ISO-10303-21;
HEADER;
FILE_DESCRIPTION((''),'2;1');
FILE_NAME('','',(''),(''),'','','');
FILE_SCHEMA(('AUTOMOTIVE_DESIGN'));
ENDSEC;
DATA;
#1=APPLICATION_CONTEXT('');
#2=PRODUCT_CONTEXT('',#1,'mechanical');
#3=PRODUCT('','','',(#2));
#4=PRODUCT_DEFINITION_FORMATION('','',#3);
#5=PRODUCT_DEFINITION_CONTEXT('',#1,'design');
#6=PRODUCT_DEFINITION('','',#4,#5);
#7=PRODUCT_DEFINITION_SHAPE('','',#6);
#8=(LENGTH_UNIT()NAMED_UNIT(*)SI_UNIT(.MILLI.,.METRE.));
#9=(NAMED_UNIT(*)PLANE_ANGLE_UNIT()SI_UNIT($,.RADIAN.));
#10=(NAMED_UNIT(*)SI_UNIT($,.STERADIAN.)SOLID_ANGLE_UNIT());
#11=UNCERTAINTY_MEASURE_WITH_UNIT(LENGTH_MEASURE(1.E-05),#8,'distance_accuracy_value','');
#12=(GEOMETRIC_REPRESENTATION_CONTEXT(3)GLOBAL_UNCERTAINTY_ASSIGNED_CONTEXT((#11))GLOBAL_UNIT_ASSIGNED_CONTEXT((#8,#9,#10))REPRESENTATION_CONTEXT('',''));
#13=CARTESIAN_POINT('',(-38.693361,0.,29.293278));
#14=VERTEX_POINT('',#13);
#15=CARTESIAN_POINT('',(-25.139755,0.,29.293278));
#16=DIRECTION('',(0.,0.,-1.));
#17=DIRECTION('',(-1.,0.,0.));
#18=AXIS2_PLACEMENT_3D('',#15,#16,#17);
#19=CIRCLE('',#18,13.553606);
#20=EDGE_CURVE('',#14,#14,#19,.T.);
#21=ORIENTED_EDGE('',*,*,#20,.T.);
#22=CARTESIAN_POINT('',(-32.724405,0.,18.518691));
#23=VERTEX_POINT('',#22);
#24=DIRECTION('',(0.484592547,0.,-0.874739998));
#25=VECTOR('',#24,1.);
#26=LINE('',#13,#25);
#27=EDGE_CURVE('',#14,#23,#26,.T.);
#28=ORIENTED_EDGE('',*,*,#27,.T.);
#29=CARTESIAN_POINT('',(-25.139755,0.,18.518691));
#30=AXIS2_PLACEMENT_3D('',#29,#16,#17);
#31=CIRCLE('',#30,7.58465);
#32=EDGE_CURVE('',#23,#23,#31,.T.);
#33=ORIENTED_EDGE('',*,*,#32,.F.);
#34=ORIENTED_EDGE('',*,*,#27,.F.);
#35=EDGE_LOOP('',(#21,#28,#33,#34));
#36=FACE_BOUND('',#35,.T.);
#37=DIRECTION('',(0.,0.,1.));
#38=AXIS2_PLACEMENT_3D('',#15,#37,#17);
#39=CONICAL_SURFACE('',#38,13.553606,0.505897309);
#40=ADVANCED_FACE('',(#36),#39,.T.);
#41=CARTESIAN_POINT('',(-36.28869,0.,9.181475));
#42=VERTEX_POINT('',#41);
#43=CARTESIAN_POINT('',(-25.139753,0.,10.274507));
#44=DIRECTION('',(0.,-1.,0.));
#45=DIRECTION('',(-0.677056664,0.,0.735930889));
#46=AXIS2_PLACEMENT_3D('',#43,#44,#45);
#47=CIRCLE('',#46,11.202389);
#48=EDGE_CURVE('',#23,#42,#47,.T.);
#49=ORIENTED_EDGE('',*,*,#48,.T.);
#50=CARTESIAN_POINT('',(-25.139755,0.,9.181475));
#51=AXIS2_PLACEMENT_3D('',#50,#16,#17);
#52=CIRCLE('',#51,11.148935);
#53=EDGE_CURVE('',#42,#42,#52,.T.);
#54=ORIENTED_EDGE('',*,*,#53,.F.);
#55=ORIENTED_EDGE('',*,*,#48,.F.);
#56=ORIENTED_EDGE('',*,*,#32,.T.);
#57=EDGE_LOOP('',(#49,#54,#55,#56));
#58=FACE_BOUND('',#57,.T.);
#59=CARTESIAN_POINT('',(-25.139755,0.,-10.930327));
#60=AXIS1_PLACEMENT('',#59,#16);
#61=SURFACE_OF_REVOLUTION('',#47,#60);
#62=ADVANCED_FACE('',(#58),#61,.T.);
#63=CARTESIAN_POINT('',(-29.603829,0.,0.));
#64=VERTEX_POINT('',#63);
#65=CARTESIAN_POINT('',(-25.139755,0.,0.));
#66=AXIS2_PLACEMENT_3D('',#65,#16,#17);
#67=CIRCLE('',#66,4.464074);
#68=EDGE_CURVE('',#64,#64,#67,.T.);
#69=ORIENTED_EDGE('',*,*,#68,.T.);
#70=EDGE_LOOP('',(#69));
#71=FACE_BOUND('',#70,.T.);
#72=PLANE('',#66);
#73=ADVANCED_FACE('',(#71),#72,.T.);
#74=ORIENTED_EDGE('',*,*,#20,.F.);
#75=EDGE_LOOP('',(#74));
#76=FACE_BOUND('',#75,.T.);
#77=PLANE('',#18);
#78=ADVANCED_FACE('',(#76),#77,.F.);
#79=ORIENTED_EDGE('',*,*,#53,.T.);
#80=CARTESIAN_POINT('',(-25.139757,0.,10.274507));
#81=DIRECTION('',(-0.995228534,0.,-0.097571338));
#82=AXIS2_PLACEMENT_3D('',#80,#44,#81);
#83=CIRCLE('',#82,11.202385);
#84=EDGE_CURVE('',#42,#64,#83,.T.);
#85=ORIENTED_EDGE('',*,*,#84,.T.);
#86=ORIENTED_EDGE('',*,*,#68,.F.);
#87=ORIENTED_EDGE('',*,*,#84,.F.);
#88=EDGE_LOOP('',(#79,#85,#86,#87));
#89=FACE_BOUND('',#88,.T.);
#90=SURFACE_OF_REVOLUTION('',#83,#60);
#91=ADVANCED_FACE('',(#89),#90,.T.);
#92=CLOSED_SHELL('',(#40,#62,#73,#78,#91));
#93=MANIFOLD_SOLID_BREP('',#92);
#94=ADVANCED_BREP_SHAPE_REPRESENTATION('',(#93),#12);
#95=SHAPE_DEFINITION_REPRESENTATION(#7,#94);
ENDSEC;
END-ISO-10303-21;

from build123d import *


with BuildPart() as f1:
    # F0 (on Front) → F1 (revolve)
    with BuildSketch(Plane.XZ):
        with BuildLine():
            ThreePointArc((-32.724405, 18.518691), (-35.605542, 14.269601), (-36.28869, 9.181475))
            ThreePointArc((-36.28869, 9.181475), (-34.196045, 3.680792), (-29.603829, 0))
            Line((-29.603829, 0), (-25.139755, 0))
            Line((-25.139755, 0), (-25.139755, 10.274508))
            Line((-25.139755, 10.274508), (-25.139755, 29.293278))
            Line((-25.139755, 29.293278), (-38.693361, 29.293278))
            Line((-38.693361, 29.293278), (-32.724405, 18.518691))
        make_face()
    revolve(axis=Axis((-25.139755, 0, -10.930327), (0, 0, -1)))


solid = f1.part
